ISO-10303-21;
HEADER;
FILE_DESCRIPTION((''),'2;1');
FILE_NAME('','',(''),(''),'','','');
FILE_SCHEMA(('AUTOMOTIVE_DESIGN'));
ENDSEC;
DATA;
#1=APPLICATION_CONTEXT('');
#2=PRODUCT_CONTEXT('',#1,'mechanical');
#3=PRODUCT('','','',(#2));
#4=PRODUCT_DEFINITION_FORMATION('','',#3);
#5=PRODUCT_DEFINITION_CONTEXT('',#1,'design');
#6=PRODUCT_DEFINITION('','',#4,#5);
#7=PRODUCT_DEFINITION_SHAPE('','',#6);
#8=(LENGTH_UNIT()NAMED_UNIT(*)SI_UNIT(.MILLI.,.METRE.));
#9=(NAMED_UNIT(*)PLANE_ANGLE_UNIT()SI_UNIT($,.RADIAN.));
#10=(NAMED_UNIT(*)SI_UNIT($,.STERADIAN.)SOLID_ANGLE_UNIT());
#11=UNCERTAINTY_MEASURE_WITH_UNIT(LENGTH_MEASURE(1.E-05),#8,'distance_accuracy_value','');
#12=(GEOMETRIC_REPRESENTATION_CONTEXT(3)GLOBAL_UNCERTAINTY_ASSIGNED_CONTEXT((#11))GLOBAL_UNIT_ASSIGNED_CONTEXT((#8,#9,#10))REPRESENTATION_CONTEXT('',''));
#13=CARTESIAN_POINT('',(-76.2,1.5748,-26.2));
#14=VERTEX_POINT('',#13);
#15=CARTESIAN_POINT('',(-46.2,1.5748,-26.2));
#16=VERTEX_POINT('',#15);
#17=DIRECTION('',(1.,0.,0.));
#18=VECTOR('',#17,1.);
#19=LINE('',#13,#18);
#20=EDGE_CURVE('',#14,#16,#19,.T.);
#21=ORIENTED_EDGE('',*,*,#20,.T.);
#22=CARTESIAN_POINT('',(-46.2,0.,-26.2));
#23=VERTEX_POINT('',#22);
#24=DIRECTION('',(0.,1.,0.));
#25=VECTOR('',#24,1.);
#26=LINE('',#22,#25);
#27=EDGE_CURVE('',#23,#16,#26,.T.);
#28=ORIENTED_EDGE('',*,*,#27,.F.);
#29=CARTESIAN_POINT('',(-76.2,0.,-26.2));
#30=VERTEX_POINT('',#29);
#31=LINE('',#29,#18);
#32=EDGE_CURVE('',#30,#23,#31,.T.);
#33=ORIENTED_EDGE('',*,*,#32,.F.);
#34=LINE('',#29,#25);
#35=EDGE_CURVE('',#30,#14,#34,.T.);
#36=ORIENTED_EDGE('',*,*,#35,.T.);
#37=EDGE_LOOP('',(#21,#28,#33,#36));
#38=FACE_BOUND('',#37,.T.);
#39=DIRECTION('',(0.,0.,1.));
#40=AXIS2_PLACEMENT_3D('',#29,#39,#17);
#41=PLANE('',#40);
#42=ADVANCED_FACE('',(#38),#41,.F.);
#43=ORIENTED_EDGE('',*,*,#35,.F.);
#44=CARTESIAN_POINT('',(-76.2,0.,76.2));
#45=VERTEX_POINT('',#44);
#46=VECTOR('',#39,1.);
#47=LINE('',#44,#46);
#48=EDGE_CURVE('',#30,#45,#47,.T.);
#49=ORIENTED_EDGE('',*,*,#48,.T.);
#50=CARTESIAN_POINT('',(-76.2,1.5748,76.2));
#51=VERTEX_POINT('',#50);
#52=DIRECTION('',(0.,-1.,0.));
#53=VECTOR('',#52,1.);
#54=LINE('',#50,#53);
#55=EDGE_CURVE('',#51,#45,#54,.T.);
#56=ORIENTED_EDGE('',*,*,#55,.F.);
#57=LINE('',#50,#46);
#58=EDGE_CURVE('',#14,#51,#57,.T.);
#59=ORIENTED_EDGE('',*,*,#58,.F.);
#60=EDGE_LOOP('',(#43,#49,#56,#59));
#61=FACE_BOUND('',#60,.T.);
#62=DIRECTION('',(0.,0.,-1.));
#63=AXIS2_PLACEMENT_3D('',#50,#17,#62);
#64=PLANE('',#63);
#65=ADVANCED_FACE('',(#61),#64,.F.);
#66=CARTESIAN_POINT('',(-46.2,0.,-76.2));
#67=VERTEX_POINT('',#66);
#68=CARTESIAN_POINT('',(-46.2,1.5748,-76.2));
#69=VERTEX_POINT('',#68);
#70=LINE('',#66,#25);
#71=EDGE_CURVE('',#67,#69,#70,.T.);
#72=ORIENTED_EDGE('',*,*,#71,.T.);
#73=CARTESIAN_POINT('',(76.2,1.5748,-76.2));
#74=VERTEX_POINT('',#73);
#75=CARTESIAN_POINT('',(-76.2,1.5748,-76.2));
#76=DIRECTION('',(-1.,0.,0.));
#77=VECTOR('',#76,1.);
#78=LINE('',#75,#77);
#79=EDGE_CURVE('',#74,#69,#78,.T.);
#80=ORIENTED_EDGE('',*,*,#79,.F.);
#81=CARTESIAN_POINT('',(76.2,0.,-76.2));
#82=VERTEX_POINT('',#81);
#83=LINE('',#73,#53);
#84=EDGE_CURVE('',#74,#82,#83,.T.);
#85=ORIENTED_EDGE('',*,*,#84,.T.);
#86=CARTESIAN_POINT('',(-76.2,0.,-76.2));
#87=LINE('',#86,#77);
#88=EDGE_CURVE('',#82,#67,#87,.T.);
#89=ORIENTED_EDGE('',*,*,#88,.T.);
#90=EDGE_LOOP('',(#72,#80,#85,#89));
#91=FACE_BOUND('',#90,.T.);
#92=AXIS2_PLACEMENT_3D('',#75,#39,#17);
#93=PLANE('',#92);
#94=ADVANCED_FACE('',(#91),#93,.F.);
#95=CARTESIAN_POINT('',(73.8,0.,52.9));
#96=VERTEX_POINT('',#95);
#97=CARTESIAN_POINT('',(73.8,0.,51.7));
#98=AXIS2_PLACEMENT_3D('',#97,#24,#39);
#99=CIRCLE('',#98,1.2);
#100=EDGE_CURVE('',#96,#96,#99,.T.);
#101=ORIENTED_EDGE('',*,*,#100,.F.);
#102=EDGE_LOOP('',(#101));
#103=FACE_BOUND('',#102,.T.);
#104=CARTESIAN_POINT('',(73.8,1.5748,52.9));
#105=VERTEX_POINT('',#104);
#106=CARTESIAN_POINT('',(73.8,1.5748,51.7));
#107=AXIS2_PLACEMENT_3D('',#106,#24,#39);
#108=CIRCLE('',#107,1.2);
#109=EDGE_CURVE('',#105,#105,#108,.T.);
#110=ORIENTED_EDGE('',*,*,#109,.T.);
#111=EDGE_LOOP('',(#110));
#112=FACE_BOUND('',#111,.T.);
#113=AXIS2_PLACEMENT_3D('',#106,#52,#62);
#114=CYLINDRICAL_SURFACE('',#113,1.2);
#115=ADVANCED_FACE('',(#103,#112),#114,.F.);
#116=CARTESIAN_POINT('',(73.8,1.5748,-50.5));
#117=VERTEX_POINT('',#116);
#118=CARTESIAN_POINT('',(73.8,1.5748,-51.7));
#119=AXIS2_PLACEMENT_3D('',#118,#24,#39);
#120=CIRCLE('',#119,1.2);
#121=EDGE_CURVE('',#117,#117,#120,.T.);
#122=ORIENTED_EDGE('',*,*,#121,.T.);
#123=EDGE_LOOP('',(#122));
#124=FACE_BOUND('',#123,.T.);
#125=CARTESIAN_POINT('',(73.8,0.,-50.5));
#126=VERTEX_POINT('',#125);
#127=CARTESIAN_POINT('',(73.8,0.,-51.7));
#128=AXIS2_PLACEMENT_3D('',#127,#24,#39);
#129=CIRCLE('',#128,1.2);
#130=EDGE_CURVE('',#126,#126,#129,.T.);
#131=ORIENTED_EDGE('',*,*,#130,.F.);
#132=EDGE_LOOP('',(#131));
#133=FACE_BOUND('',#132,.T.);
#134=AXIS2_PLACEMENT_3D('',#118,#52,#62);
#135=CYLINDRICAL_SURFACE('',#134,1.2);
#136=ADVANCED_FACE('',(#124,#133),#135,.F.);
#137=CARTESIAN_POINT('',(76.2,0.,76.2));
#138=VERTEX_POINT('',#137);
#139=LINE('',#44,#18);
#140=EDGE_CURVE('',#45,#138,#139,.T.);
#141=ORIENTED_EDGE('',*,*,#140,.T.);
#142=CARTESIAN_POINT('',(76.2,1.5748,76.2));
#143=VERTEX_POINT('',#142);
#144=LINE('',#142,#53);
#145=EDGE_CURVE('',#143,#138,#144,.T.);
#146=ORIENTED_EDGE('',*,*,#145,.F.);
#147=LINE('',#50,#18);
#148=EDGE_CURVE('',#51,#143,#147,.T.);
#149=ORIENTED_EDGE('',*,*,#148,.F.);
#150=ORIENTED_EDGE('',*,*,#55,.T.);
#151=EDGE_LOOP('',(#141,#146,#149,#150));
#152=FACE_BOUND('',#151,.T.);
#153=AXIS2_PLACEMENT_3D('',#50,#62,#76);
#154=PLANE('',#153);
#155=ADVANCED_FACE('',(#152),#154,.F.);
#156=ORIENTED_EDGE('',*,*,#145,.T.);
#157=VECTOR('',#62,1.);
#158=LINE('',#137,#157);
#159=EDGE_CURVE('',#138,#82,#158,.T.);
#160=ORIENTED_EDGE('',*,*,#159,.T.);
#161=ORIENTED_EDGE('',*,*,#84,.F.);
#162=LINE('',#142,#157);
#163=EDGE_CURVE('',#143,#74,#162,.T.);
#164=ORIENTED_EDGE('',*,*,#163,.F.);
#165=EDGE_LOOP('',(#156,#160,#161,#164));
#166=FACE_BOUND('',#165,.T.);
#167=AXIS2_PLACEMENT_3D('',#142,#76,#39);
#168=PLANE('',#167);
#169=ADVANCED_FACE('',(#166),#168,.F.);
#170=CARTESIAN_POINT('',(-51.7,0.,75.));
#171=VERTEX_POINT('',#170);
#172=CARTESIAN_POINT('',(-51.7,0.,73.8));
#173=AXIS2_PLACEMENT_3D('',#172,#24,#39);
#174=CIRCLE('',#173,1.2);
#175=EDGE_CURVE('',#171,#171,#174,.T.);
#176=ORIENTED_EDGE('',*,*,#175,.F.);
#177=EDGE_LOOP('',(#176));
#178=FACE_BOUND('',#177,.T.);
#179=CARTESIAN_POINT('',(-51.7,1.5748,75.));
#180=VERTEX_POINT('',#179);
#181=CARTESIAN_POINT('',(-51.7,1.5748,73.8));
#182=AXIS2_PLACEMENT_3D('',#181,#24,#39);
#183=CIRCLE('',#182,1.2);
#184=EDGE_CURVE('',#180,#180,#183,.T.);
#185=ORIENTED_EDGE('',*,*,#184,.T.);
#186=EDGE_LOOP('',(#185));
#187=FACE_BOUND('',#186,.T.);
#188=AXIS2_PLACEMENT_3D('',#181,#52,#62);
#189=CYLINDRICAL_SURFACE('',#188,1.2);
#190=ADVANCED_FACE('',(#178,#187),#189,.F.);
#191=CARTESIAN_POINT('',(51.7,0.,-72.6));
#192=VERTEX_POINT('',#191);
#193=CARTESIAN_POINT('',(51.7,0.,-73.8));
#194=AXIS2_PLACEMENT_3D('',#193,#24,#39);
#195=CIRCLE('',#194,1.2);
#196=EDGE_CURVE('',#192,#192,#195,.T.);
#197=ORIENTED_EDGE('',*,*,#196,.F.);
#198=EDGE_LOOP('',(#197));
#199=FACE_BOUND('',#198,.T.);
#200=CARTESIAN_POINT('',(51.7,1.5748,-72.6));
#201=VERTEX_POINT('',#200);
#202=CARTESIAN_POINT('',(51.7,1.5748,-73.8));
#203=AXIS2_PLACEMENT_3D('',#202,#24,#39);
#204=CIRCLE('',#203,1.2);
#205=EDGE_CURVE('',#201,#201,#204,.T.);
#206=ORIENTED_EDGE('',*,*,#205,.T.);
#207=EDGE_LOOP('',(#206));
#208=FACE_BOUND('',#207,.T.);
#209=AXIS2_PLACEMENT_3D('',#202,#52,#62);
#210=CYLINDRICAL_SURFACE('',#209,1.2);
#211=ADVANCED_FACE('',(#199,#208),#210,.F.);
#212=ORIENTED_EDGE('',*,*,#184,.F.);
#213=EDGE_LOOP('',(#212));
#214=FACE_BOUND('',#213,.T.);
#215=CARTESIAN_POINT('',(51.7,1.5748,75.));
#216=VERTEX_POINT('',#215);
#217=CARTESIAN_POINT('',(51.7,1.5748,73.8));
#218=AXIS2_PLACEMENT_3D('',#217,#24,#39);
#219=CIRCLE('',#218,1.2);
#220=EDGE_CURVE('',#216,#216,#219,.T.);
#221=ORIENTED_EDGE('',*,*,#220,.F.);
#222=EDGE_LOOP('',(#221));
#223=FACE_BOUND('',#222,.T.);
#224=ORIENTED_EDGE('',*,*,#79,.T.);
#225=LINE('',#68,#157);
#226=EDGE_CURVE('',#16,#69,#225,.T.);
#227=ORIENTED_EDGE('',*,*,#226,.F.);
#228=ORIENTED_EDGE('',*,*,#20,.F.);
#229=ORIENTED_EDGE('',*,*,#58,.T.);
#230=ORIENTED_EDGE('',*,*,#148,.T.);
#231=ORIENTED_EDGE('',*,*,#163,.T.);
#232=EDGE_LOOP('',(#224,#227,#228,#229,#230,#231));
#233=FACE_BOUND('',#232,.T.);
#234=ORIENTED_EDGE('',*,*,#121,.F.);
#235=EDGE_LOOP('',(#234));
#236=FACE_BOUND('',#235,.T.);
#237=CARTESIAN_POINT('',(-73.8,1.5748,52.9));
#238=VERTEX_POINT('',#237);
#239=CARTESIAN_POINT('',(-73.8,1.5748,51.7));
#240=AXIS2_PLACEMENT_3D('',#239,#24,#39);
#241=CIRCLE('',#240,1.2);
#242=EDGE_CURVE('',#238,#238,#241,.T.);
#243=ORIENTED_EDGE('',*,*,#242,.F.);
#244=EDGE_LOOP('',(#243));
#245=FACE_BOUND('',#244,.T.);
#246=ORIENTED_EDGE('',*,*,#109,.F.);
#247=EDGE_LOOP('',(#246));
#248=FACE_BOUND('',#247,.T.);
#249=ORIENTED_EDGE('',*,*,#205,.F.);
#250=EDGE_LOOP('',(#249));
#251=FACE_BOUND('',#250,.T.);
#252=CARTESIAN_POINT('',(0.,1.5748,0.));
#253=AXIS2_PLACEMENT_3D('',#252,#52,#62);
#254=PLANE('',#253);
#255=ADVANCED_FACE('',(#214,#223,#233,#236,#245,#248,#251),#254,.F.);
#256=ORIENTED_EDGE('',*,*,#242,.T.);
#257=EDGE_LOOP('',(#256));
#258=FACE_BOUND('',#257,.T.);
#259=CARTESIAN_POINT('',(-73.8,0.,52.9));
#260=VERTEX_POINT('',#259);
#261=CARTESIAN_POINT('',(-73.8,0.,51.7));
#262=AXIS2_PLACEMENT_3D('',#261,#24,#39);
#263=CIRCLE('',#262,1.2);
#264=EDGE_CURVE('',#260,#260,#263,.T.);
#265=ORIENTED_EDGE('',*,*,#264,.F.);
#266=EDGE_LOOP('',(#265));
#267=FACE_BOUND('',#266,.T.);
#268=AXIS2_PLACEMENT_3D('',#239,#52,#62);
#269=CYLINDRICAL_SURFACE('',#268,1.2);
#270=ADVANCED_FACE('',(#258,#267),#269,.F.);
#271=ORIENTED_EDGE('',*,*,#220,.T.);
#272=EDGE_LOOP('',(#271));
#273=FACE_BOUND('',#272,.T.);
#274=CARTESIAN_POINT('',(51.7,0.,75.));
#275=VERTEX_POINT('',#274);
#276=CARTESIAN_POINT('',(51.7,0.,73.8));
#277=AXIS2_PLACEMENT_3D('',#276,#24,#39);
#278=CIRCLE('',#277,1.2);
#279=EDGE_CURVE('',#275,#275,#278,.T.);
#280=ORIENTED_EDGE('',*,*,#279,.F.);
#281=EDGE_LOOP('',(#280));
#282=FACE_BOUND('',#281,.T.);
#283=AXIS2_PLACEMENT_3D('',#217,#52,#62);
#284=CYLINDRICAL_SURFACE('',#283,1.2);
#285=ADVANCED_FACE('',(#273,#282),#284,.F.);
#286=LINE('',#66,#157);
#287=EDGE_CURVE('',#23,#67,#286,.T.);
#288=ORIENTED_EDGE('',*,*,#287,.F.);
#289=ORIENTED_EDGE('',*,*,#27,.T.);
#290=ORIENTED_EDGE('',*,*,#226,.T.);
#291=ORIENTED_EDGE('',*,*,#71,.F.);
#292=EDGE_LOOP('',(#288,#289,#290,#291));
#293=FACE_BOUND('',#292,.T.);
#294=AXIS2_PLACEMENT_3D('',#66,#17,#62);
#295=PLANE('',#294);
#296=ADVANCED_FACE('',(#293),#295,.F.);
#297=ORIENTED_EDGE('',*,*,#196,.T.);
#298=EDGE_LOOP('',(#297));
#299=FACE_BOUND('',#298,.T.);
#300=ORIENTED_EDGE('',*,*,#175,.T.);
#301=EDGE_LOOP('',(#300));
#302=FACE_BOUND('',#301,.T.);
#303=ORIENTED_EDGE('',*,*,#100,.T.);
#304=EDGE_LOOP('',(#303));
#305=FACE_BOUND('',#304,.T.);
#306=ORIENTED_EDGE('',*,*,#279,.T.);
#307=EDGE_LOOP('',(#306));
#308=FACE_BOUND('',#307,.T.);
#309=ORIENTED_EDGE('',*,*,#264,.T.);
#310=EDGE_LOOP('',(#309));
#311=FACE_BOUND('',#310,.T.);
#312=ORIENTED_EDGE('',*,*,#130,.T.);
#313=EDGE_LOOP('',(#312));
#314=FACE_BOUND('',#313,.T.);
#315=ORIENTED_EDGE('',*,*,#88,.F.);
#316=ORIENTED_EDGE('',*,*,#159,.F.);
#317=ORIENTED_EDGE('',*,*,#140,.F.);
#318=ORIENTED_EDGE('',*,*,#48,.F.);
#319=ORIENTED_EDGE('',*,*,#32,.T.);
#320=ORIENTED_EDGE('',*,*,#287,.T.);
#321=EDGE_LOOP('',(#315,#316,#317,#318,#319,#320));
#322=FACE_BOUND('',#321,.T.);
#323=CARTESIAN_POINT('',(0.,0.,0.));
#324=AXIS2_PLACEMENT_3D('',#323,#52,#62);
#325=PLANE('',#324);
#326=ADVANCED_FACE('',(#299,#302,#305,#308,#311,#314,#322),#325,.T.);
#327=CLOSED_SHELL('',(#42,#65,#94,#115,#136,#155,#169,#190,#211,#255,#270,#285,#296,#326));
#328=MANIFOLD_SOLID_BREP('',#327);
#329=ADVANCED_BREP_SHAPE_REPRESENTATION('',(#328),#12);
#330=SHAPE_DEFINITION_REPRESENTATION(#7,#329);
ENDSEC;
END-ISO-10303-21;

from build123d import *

# Parameters (mm, degrees)
SKETCH1_W           = 152.4
SKETCH1_H           = 152.4
SKETCH1_R           = 1.2
BOSS_EXTRUDE1_DEPTH = 1.5748
SKETCH2_W           = 30
SKETCH2_H           = 50
CUT_EXTRUDE1_DEPTH  = 2.5748


with BuildPart() as part:
    # Sketch1 → Boss-Extrude1 (new body)
    with BuildSketch(Plane(origin=(0, 0, 0), x_dir=(1, 0, 0), z_dir=(0, 1, 0))):
        Rectangle(SKETCH1_W, SKETCH1_H)
        with Locations((-51.7, 73.8)):
            Circle(SKETCH1_R, mode=Mode.SUBTRACT)
        with Locations((51.7, 73.8)):
            Circle(SKETCH1_R, mode=Mode.SUBTRACT)
        with Locations((73.8, 51.7)):
            Circle(SKETCH1_R, mode=Mode.SUBTRACT)
        with Locations((73.8, -51.7)):
            Circle(SKETCH1_R, mode=Mode.SUBTRACT)
        with Locations((-73.8, -51.7)):
            Circle(SKETCH1_R, mode=Mode.SUBTRACT)
        with Locations((-73.8, 51.7)):
            Circle(SKETCH1_R, mode=Mode.SUBTRACT)
        with Locations((-51.7, -73.8)):
            Circle(SKETCH1_R, mode=Mode.SUBTRACT)
        with Locations((51.7, -73.8)):
            Circle(SKETCH1_R, mode=Mode.SUBTRACT)
    extrude(amount=BOSS_EXTRUDE1_DEPTH)

    # Sketch2 → Cut-Extrude1 (cut, through all)
    with BuildSketch(Plane(origin=(0, 1.5748, 0), x_dir=(1, 0, 0), z_dir=(0, 1, 0))):
        with Locations((-61.2, 51.2)):
            Rectangle(SKETCH2_W, SKETCH2_H)
    extrude(amount=-CUT_EXTRUDE1_DEPTH, mode=Mode.SUBTRACT)


solid = part.part
